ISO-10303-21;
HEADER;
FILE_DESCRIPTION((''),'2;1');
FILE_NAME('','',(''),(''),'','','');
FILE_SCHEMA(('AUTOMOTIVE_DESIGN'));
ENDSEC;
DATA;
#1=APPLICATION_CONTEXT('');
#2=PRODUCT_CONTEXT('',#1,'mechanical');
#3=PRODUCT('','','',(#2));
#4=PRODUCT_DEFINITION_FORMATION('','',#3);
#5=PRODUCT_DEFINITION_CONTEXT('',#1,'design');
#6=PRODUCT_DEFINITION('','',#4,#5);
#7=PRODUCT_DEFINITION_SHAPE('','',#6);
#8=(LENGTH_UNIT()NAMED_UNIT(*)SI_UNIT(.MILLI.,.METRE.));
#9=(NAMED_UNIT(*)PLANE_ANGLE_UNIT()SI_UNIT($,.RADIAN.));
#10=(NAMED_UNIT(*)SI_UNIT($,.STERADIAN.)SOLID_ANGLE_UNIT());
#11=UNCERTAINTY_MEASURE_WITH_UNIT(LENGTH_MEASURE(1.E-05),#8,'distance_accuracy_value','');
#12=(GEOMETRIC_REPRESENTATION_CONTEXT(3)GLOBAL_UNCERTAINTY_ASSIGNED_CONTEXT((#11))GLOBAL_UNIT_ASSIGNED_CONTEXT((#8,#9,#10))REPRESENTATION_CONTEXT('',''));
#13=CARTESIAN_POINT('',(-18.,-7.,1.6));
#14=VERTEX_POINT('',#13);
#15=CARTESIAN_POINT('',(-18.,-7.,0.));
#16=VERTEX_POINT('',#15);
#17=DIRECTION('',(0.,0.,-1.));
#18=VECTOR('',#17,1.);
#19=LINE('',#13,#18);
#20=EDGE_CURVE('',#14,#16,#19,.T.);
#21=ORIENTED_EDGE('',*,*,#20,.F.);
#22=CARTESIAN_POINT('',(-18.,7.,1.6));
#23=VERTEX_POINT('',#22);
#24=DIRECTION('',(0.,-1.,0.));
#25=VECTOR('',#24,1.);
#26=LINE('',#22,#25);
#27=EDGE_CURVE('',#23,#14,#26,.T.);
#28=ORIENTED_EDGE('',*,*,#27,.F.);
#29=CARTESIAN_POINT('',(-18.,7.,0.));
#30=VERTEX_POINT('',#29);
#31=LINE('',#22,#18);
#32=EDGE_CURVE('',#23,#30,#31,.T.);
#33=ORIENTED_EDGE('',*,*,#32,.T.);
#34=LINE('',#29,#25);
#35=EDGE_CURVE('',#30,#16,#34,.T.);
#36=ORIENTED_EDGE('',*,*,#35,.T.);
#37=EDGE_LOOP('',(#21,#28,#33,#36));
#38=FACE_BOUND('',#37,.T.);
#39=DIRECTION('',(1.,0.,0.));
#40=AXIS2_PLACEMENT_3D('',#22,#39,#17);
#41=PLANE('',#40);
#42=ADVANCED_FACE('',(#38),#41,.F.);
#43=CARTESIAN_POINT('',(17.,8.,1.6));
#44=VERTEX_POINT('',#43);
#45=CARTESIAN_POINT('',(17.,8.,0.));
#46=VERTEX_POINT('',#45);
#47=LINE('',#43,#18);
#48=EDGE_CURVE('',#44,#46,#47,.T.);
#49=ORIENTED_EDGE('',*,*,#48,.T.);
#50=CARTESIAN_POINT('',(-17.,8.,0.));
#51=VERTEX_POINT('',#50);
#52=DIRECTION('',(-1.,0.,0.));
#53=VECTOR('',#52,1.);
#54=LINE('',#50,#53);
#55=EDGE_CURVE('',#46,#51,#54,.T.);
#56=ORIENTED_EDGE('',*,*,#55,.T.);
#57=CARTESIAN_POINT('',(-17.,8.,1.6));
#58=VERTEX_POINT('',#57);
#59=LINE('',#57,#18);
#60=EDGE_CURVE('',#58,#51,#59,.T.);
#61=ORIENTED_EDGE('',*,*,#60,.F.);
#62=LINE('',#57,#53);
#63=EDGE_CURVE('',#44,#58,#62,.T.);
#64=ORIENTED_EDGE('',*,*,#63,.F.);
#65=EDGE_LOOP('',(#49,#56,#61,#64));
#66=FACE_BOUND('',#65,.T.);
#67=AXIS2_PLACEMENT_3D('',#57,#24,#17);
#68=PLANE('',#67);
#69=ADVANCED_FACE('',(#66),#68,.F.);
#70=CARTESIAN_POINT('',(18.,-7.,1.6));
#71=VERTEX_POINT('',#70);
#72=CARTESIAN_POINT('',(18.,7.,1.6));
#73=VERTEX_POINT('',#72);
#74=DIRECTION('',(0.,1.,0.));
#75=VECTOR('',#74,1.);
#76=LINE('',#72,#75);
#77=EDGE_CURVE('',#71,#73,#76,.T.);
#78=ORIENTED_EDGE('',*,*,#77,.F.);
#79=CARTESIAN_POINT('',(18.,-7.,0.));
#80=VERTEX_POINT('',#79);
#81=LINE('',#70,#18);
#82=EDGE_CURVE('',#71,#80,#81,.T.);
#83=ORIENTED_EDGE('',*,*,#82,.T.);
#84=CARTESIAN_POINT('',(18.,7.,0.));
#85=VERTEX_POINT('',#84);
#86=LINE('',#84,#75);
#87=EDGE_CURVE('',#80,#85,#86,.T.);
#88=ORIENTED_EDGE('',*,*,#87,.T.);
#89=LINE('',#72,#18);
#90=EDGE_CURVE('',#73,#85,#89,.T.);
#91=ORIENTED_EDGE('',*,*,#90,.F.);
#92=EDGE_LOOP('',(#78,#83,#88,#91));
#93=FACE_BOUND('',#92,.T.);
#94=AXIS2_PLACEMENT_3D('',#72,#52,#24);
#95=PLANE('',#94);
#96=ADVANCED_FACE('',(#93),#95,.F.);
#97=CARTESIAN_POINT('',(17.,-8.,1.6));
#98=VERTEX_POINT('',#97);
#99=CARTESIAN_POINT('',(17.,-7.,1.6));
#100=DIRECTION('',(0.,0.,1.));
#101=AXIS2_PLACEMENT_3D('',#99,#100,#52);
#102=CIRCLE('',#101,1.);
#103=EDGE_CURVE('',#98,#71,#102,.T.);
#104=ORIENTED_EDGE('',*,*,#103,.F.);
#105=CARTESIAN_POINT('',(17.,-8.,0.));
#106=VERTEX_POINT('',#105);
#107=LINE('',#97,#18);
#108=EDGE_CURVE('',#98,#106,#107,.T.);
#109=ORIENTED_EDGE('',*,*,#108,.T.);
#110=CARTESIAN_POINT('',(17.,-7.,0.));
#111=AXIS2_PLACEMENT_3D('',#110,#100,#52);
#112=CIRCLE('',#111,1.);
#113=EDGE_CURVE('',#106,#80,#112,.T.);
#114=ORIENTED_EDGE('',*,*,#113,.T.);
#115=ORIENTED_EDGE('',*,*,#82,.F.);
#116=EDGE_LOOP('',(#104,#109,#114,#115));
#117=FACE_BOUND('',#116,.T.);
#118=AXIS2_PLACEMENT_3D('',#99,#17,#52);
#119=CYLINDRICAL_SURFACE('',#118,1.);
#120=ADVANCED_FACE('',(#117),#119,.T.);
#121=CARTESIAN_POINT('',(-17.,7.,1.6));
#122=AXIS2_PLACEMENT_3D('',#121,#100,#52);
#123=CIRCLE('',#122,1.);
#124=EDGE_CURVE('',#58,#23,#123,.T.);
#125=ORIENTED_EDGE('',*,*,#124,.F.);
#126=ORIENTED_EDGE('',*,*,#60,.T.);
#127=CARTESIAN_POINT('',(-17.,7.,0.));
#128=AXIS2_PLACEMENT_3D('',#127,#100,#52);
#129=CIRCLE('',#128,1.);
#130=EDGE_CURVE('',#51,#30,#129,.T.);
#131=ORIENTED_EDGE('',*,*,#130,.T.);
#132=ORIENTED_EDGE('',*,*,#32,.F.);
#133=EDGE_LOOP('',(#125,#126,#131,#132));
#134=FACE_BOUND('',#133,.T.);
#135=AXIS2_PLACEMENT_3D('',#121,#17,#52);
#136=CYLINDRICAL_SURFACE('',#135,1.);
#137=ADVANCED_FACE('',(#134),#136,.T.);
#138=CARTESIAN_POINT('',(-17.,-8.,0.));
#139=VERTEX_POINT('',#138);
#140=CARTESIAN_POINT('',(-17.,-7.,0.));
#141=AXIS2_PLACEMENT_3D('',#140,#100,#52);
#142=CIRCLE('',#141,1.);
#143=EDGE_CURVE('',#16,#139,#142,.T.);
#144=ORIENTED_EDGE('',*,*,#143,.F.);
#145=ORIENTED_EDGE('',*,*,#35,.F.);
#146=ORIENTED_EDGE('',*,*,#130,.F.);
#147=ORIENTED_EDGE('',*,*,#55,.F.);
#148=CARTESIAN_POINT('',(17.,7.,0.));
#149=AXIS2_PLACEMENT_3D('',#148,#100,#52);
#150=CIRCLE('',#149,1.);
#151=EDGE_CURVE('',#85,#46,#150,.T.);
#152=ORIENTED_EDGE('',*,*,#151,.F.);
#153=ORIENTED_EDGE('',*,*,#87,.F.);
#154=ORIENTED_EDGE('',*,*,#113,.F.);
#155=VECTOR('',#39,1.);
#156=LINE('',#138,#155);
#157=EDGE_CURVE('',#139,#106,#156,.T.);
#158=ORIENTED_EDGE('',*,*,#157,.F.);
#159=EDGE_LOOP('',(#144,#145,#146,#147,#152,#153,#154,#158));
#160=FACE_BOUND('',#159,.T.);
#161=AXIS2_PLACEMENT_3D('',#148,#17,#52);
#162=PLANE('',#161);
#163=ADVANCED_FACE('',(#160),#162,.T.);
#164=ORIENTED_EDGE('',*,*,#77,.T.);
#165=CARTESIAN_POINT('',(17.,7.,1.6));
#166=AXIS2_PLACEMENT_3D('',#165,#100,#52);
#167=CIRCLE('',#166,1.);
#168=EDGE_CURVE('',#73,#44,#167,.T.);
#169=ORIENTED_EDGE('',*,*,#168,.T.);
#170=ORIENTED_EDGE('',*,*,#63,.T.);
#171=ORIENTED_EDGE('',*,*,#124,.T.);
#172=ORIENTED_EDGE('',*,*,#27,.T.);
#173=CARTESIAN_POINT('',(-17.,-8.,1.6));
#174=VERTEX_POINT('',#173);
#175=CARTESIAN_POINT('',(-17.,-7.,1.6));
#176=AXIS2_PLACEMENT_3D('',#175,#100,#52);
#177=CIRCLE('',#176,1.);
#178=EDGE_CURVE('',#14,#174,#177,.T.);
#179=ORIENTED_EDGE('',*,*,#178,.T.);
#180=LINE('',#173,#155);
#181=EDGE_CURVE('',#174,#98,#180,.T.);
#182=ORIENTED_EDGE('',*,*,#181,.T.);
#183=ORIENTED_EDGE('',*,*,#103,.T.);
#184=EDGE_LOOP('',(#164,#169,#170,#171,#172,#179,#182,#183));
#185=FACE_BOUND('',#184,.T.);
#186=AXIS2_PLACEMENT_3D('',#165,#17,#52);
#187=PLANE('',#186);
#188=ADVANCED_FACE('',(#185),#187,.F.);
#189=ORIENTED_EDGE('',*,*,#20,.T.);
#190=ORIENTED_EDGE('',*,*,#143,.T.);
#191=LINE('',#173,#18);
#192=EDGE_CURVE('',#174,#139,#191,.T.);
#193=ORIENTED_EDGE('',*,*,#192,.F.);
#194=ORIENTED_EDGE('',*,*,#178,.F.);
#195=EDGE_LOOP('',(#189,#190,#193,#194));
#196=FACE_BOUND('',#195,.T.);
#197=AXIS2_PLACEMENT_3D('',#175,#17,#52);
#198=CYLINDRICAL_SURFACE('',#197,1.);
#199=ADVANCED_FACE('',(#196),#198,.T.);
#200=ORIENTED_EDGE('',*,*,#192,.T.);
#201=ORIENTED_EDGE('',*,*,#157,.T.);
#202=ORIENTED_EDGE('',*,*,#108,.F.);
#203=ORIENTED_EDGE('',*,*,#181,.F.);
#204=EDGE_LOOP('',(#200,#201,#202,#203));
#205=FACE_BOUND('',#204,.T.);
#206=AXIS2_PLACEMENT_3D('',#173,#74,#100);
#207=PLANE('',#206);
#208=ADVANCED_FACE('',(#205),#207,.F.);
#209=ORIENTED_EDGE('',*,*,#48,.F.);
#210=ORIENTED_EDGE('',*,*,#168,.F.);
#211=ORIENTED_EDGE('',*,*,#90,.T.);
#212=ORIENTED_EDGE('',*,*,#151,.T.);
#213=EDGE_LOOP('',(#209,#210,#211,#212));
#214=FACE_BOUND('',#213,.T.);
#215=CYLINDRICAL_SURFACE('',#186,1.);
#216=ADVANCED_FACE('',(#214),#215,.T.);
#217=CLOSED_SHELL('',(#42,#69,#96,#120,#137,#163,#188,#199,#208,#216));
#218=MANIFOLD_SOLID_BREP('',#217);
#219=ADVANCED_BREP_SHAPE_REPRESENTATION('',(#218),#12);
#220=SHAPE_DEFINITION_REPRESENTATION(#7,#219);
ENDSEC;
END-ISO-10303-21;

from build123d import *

# Parameters (mm, degrees)
EXTRUDE_1_DEPTH = 1.6


with BuildPart() as part:
    # 草图1 → 凸台-拉伸1 (new body)
    with BuildSketch(Plane.XY):
        with BuildLine():
            Line((-17, 8), (17, 8))
            ThreePointArc((17, 8), (17.707106781, 7.707106781), (18, 7))
            Line((18, 7), (18, -7))
            ThreePointArc((18, -7), (17.707106781, -7.707106781), (17, -8))
            Line((17, -8), (-17, -8))
            ThreePointArc((-17, -8), (-17.707106781, -7.707106781), (-18, -7))
            Line((-18, -7), (-18, 7))
            ThreePointArc((-18, 7), (-17.707106781, 7.707106781), (-17, 8))
        make_face()
    extrude(amount=EXTRUDE_1_DEPTH)


solid = part.part
